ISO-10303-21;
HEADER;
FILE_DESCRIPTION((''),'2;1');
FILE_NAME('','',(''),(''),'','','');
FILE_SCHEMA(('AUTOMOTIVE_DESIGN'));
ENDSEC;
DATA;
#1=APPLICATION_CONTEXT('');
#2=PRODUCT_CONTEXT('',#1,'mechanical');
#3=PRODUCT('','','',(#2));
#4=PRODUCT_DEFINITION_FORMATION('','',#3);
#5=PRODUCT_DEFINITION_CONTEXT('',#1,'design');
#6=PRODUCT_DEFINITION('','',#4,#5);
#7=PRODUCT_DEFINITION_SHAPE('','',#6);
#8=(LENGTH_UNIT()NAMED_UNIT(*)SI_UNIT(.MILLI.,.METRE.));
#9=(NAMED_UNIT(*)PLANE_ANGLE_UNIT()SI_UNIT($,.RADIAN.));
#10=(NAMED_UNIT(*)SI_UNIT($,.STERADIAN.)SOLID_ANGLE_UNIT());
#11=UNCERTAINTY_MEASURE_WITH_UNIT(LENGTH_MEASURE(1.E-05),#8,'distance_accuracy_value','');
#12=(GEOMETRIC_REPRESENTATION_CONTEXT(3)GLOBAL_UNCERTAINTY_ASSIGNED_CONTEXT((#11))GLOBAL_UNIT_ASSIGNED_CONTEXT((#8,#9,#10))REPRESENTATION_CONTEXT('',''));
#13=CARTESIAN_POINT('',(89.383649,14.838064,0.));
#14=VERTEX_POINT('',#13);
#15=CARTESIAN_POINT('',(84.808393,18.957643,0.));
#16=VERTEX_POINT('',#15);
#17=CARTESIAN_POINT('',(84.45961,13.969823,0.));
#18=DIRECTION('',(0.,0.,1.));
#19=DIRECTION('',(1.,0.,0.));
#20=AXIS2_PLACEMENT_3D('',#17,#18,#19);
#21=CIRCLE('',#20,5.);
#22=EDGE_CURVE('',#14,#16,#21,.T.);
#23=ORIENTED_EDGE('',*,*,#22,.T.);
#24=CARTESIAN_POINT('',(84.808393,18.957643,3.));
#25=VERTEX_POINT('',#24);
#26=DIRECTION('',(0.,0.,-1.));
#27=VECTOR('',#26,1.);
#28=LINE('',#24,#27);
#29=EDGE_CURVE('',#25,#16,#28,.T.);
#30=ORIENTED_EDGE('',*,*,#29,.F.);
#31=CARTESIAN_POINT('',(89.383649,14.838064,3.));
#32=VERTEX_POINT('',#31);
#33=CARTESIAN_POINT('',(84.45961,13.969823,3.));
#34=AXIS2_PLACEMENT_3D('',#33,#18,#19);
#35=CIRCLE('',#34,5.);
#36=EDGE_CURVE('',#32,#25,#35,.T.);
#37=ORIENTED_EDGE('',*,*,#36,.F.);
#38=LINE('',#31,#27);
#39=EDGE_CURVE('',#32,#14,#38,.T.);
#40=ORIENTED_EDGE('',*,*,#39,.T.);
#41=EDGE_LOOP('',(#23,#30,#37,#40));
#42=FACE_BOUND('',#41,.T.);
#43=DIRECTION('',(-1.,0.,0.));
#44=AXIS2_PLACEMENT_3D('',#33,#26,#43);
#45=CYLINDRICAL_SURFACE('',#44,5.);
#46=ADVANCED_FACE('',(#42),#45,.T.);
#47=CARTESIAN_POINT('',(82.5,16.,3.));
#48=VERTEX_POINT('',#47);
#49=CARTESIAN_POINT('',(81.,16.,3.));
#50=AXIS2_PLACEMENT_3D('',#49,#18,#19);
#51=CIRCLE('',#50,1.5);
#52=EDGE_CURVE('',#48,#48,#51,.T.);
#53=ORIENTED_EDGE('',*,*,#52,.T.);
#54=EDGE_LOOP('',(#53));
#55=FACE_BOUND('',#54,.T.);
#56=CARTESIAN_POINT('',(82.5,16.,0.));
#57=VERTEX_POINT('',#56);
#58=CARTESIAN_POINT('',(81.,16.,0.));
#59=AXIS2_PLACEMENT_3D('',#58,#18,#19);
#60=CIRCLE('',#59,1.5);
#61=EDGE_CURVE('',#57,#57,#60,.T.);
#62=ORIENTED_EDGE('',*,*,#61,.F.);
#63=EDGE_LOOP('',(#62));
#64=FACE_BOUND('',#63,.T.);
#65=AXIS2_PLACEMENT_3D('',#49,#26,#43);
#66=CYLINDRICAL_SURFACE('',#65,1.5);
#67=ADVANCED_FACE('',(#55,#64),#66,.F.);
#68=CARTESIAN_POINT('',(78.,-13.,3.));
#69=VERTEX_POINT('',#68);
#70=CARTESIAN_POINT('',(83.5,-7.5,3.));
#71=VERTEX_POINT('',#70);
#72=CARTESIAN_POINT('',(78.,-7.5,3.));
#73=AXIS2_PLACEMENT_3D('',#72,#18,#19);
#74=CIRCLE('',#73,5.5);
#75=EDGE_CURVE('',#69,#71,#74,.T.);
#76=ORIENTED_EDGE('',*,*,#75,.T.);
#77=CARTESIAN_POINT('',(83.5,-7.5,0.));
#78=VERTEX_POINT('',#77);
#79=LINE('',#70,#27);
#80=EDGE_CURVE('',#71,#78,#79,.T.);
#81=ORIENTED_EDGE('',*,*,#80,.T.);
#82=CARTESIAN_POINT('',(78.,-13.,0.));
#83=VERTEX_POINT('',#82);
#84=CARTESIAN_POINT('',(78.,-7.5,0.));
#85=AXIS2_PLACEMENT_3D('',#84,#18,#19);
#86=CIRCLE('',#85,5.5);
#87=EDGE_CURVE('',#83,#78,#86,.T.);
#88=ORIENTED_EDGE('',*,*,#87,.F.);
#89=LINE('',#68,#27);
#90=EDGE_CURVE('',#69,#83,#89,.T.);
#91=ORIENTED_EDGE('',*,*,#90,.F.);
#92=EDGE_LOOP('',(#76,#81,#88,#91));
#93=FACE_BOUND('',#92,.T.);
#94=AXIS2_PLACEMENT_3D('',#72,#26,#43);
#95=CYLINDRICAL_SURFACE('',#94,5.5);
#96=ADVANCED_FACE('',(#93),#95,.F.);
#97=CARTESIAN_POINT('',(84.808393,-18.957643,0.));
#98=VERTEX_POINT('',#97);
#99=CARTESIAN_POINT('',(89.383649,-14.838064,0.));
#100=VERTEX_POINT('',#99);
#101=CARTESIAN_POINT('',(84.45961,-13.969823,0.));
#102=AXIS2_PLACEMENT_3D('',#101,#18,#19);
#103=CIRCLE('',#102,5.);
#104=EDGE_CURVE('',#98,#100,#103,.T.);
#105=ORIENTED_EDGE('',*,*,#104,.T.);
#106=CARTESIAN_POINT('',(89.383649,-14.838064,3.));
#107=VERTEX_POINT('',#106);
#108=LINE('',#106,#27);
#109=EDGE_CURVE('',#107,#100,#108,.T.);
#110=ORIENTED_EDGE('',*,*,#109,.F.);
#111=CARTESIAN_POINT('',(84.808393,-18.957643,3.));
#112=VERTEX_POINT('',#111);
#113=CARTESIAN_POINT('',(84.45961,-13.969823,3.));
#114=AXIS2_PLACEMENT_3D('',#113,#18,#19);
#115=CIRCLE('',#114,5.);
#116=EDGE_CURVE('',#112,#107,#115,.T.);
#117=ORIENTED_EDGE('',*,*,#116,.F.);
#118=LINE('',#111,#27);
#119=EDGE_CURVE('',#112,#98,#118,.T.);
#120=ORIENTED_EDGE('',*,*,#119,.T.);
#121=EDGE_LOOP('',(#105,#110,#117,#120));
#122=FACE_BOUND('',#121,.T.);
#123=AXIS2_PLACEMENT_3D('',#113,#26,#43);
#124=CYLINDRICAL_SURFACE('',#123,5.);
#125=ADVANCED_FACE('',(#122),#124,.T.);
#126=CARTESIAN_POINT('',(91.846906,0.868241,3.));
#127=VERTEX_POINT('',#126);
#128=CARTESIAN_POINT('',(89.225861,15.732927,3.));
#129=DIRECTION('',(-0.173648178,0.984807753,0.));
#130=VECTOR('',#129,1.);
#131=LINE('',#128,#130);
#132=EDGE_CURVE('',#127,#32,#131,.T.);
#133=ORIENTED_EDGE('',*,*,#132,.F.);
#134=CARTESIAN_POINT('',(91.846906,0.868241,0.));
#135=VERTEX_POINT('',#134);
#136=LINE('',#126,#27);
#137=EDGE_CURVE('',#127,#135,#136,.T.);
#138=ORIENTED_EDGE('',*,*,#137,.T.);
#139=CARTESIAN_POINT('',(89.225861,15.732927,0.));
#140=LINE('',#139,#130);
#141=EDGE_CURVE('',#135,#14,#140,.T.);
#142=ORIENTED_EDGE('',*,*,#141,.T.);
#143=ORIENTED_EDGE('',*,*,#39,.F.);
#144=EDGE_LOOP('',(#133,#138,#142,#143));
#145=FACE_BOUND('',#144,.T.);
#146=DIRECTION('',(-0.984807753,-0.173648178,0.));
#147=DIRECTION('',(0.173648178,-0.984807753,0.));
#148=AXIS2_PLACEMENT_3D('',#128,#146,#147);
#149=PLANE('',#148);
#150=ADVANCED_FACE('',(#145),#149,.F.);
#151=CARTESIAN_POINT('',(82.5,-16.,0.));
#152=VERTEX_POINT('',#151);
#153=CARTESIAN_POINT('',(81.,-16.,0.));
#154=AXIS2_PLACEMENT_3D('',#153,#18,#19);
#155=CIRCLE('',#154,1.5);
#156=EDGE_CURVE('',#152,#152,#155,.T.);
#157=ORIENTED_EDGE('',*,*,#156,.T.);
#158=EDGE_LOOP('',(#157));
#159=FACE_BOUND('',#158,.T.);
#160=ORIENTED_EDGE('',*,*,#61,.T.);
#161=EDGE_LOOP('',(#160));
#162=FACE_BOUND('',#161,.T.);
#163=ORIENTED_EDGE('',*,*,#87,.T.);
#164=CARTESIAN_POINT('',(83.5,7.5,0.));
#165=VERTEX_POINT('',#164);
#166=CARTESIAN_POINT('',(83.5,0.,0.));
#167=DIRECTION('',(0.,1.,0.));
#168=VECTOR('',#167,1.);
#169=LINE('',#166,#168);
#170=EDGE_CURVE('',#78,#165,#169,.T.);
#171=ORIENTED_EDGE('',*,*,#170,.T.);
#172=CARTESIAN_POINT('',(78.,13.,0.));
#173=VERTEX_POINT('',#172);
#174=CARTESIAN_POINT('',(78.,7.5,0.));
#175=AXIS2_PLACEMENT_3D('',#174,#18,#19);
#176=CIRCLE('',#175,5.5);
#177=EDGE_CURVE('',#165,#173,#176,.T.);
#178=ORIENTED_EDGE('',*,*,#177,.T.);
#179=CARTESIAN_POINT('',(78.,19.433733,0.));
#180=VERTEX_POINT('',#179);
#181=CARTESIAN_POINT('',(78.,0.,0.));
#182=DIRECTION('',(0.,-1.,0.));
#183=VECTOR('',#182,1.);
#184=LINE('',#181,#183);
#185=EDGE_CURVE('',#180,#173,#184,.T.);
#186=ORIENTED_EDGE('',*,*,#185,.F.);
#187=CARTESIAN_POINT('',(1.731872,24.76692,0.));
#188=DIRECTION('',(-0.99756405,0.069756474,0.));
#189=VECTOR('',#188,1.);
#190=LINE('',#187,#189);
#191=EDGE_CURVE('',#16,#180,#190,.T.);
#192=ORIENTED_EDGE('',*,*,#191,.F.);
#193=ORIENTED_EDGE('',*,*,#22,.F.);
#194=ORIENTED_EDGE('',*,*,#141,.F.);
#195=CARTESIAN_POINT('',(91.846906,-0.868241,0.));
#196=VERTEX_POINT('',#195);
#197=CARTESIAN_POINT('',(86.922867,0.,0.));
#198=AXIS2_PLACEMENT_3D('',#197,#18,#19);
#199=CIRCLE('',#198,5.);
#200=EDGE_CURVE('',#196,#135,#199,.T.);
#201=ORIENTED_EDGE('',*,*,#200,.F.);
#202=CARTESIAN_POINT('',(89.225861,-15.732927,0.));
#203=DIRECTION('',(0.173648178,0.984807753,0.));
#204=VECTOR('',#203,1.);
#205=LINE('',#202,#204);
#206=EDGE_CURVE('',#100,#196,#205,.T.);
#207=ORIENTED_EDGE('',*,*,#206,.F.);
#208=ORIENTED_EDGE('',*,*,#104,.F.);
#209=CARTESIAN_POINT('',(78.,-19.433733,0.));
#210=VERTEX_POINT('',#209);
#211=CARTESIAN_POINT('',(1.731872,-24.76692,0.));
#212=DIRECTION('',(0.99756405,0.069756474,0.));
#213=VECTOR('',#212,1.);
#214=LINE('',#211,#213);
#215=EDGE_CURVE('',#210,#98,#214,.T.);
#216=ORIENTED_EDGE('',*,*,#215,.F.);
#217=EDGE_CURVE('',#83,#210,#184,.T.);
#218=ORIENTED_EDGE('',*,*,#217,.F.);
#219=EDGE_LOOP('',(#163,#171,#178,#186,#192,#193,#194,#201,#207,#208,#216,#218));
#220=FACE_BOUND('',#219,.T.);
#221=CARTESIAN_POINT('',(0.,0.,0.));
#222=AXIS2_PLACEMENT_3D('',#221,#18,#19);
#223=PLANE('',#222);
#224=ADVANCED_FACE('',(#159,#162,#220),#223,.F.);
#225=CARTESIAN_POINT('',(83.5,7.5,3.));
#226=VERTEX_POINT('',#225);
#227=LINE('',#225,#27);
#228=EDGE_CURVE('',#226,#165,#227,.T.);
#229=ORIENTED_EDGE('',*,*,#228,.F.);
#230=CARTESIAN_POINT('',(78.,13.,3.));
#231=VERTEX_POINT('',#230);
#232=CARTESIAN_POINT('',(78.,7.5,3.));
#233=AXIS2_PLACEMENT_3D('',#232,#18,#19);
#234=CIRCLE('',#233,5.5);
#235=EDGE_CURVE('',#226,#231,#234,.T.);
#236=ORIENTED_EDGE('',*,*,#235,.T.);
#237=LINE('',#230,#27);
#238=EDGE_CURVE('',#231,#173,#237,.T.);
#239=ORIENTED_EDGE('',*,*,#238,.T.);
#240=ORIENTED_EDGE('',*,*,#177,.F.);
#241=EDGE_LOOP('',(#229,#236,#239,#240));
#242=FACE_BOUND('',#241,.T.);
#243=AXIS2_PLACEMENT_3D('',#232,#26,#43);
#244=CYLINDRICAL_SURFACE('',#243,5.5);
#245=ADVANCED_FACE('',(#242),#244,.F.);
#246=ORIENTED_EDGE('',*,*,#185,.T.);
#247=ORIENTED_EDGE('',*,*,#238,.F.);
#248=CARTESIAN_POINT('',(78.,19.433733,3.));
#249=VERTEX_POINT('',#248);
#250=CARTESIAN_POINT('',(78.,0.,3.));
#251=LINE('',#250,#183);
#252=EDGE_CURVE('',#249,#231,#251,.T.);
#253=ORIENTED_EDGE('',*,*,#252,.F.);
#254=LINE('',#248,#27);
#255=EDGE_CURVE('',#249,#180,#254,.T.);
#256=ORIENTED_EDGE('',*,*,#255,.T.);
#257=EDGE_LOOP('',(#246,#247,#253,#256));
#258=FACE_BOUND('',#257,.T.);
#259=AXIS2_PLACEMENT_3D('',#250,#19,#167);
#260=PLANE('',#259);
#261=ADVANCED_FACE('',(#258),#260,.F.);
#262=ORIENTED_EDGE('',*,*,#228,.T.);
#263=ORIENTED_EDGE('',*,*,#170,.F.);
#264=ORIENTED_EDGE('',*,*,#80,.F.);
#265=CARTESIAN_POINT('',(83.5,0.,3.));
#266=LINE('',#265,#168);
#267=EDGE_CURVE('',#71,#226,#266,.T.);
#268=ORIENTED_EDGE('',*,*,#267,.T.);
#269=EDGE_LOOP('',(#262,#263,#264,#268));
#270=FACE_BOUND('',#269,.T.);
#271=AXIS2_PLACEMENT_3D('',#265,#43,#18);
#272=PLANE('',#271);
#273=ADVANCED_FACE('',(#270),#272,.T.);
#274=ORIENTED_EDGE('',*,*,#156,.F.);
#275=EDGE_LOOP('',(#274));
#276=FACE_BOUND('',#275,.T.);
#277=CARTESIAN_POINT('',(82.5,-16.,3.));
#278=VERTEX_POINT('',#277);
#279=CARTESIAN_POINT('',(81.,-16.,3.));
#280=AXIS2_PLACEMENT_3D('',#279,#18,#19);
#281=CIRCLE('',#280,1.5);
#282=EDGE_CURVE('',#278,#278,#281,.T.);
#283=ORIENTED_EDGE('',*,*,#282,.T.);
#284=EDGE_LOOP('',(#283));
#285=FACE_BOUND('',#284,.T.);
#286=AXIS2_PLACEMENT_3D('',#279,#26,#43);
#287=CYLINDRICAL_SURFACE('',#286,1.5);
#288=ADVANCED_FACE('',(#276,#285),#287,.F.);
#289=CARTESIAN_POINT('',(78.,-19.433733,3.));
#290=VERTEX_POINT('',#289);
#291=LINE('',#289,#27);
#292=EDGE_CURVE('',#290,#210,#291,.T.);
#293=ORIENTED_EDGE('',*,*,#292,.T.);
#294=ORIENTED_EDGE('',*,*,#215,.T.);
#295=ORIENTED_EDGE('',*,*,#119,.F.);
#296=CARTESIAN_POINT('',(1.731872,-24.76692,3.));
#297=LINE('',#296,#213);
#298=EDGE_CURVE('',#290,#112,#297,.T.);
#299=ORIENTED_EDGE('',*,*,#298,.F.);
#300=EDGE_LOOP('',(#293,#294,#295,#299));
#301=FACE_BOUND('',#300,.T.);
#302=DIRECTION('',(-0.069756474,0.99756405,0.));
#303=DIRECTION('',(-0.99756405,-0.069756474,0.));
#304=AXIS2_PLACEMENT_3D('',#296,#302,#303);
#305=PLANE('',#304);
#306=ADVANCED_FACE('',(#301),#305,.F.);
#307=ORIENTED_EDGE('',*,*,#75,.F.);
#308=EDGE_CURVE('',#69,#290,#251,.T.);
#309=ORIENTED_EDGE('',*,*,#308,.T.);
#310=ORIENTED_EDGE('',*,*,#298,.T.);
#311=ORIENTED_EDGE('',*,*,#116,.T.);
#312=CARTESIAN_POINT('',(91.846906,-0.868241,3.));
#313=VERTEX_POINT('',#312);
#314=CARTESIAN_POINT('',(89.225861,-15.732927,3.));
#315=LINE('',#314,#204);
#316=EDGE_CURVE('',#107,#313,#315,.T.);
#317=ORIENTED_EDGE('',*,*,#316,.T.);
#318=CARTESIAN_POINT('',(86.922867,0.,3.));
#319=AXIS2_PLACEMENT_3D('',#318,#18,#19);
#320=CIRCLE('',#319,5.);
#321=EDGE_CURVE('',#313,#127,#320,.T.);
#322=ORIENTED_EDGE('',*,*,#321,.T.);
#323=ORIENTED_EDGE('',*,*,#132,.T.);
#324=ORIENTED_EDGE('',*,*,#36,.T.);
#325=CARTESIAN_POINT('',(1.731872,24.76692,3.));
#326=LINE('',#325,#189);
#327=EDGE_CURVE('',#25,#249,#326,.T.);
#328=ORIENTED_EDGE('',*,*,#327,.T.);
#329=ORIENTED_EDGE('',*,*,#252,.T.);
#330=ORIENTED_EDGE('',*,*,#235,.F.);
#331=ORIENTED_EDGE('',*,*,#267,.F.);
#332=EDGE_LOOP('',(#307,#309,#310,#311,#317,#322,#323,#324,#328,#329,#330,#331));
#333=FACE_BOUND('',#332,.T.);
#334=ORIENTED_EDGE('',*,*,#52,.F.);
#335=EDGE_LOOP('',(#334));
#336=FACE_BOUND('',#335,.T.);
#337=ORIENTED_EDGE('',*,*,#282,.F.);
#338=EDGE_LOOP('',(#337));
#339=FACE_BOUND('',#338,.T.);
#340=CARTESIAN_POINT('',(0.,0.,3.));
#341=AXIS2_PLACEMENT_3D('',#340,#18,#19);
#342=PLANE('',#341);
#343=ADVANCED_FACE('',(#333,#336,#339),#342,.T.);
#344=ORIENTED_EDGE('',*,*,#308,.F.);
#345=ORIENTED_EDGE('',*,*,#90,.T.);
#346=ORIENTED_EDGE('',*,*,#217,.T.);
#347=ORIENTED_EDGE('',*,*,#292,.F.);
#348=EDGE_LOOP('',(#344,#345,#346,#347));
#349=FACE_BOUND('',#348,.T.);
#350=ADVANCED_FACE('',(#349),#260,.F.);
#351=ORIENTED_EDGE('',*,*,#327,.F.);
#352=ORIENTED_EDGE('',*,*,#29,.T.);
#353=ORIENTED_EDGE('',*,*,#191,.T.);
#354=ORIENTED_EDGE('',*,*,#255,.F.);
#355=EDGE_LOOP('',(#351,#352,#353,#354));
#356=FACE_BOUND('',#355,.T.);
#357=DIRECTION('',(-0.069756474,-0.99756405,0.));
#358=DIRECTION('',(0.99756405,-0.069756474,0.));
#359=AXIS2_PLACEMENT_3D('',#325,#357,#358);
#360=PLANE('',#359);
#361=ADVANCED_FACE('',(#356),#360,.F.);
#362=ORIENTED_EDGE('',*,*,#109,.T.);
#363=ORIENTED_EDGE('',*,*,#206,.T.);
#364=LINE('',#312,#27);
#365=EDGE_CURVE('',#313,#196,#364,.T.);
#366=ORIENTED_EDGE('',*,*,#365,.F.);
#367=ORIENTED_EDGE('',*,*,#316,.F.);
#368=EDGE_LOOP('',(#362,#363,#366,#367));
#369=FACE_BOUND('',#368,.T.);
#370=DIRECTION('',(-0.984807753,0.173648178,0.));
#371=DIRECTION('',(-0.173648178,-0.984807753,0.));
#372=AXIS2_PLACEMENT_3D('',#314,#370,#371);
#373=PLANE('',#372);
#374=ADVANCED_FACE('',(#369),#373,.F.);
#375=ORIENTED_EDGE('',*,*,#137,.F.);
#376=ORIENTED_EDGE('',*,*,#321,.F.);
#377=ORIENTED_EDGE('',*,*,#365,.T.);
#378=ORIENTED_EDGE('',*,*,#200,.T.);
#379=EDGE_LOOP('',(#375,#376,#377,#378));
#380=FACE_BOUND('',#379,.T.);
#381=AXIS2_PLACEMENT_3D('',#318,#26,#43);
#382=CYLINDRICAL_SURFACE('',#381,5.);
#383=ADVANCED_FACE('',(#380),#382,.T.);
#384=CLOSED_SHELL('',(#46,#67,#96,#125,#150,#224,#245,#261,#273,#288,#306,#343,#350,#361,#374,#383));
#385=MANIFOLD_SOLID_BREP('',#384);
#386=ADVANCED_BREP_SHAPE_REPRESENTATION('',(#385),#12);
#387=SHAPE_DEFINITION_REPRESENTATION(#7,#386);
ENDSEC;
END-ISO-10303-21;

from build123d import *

# Parameters (mm, degrees)
SKETCH1_R           = 1.5
BOSS_EXTRUDE1_DEPTH = 3


with BuildPart() as part:
    # Sketch1 → Boss-Extrude1 (new body)
    with BuildSketch(Plane.XY):
        with BuildLine():
            Line((84.808392572, 18.957643404), (78, 19.433732591))
            Line((78, 19.433732591), (78, 13))
            ThreePointArc((78, 13), (81.889087297, 11.389087297), (83.5, 7.5))
            Line((83.5, 7.5), (83.5, -7.5))
            ThreePointArc((83.5, -7.5), (81.889087297, -11.389087297), (78, -13))
            Line((78, -13), (78, -19.433732591))
            Line((78, -19.433732591), (84.808392572, -18.957643404))
            ThreePointArc((84.808392572, -18.957643404), (87.805263235, -17.68554728), (89.383648968, -14.838064041))
            Line((89.383648968, -14.838064041), (91.846905706, -0.868240888))
            ThreePointArc((91.846905706, -0.868240888), (91.922866941, 0), (91.846905706, 0.868240888))
            Line((91.846905706, 0.868240888), (89.383648968, 14.838064041))
            ThreePointArc((89.383648968, 14.838064041), (87.805263235, 17.68554728), (84.808392572, 18.957643404))
        make_face()
        with Locations((81, -16)):
            Circle(SKETCH1_R, mode=Mode.SUBTRACT)
        with Locations((81, 16)):
            Circle(SKETCH1_R, mode=Mode.SUBTRACT)
    extrude(amount=BOSS_EXTRUDE1_DEPTH)


solid = part.part
